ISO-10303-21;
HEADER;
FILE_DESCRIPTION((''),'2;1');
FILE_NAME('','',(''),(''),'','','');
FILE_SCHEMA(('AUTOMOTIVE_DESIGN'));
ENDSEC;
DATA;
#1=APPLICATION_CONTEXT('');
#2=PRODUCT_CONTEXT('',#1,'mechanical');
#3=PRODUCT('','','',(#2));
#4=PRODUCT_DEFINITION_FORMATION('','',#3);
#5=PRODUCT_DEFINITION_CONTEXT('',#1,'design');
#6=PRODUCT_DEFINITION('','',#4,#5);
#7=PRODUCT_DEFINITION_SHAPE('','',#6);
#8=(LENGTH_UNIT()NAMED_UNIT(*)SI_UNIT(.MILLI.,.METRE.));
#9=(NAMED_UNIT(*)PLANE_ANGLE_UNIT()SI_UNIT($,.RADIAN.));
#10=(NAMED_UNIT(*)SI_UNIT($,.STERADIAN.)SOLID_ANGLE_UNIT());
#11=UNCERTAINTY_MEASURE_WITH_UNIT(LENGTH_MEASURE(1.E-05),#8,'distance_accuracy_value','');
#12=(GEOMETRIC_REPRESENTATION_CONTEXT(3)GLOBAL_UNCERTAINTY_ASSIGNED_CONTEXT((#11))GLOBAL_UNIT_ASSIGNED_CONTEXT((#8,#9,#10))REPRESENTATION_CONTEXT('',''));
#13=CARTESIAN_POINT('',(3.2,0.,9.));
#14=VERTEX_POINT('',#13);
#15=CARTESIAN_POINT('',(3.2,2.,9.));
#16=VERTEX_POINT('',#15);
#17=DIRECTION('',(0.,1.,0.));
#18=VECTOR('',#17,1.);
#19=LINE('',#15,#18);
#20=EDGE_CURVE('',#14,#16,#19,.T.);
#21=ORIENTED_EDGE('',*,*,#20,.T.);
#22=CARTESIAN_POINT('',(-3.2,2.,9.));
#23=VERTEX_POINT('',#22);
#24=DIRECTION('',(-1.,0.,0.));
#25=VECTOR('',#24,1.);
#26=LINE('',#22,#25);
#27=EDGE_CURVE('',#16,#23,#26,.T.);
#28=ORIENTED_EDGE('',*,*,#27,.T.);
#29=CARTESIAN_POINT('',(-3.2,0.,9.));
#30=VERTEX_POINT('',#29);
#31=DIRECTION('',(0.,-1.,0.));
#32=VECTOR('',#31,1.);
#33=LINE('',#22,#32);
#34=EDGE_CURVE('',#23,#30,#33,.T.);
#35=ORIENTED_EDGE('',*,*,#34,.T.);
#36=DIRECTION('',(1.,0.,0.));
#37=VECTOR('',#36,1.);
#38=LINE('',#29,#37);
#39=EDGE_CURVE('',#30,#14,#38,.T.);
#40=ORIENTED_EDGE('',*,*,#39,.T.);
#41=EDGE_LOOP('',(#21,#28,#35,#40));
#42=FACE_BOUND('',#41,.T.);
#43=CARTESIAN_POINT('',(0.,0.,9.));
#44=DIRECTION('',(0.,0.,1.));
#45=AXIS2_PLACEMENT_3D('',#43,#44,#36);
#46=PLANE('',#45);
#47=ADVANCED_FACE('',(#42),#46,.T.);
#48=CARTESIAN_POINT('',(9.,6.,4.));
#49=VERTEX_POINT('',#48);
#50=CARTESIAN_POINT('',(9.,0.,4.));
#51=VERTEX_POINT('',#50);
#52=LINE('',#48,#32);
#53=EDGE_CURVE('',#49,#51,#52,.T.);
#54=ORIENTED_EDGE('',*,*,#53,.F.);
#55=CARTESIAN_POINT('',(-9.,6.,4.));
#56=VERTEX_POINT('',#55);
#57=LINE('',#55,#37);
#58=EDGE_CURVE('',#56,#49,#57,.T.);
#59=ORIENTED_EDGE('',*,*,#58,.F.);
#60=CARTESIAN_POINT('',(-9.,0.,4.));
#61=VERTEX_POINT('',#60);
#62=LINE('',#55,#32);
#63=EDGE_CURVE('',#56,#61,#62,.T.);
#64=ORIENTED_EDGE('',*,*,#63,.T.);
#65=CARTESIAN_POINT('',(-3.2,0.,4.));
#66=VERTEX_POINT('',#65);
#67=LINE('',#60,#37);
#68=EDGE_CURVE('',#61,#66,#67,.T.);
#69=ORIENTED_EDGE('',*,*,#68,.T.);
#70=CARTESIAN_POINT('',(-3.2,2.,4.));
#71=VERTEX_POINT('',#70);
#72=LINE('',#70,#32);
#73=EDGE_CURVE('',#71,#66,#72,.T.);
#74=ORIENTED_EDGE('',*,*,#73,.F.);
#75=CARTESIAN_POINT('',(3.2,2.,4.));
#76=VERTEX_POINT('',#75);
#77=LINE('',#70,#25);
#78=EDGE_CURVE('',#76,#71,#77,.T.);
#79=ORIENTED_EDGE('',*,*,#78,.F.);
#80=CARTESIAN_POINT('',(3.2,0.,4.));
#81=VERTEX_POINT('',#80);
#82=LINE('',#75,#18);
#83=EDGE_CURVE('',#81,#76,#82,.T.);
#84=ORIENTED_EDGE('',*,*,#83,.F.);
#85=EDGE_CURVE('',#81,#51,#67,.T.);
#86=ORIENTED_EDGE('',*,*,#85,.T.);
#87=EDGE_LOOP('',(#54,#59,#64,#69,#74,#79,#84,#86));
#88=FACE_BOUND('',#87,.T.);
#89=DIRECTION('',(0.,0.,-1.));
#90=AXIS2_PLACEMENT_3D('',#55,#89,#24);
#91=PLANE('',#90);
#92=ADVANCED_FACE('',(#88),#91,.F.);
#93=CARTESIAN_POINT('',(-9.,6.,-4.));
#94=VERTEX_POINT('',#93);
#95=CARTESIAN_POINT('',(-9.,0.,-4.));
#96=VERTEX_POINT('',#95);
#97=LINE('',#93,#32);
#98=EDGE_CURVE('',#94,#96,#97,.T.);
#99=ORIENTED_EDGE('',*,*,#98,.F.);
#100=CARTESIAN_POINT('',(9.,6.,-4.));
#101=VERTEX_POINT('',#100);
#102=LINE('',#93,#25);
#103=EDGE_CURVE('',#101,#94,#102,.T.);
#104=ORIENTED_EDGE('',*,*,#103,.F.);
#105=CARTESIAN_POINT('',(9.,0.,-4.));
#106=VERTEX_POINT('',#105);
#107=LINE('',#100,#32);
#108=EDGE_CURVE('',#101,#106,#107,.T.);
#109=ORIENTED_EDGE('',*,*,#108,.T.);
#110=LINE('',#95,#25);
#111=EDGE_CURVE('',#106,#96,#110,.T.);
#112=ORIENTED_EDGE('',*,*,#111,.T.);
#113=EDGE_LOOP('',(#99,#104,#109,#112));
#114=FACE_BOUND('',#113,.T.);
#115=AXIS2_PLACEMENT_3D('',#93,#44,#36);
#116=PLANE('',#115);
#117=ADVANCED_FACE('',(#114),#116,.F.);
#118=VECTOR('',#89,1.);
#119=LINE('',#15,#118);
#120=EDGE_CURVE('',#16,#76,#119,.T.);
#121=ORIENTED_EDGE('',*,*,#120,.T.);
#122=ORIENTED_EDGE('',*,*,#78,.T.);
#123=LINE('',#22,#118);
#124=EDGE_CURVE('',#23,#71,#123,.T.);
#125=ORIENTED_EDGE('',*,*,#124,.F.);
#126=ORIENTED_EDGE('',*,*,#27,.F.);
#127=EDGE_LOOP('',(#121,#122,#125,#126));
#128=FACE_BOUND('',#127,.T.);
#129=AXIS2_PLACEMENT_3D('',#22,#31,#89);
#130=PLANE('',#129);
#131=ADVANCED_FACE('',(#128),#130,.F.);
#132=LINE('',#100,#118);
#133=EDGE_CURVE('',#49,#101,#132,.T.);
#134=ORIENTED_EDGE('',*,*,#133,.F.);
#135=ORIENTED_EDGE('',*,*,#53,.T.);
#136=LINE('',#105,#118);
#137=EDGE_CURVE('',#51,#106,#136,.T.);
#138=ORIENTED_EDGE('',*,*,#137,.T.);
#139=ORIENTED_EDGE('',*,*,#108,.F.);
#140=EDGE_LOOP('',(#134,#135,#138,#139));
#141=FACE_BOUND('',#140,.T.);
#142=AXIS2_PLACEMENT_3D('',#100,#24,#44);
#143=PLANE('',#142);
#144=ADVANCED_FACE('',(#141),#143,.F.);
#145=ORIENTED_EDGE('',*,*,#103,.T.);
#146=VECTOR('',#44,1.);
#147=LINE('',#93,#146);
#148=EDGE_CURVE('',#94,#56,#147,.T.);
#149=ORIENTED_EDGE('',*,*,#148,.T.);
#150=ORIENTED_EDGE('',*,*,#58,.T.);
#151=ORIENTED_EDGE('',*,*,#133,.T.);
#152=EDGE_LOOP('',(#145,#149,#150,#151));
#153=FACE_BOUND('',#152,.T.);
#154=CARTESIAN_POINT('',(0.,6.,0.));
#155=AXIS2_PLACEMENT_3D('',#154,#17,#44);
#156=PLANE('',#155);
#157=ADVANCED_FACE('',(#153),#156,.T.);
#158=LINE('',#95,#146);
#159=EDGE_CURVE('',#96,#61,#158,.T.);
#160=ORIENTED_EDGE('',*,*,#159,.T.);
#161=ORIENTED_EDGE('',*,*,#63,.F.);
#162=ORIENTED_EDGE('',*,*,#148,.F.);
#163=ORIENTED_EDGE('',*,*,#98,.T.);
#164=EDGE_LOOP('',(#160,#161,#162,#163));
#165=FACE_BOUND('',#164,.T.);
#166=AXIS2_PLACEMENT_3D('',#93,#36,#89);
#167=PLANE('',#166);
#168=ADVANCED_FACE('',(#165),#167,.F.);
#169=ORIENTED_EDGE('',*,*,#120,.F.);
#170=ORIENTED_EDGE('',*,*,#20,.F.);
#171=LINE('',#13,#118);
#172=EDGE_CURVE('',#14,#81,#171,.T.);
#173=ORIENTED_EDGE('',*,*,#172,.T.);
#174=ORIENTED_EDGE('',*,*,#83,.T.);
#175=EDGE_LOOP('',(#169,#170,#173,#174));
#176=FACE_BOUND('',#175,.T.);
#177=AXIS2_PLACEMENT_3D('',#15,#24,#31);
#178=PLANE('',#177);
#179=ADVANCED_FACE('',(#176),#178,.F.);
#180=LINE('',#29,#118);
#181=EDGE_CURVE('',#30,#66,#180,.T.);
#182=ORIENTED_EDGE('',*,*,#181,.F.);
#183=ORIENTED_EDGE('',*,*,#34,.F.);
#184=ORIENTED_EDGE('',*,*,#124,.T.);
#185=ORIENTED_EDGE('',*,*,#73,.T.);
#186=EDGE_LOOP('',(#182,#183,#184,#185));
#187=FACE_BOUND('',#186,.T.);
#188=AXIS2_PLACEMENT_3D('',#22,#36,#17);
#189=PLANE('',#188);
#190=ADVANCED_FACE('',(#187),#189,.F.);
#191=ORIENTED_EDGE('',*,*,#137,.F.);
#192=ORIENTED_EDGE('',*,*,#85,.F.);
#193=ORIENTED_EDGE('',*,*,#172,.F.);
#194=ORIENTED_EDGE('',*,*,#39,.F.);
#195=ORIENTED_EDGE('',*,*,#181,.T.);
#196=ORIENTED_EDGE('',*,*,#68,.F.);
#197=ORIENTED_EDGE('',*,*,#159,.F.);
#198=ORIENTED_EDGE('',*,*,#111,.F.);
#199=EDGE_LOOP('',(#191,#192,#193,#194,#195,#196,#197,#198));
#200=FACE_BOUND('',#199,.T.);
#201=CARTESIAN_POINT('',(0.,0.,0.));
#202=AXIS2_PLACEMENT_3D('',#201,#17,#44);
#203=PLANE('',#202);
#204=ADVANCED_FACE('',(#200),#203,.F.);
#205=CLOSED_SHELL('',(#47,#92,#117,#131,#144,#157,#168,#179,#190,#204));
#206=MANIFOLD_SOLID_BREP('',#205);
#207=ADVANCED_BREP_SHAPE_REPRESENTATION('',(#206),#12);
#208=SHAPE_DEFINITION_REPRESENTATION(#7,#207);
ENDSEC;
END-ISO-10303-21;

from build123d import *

# Parameters (mm, degrees)
ESQUISSE1_W        = 18
ESQUISSE1_H        = 8
BOSS_EXTRU_1_DEPTH = 6
ESQUISSE2_W        = 6.4
ESQUISSE2_H        = 2
BOSS_EXTRU_2_DEPTH = 5


with BuildPart() as part:
    # Esquisse1 → Boss.-Extru.1 (new body)
    with BuildSketch(Plane(origin=(0, 0, 0), x_dir=(1, 0, 0), z_dir=(0, 1, 0))):
        Rectangle(ESQUISSE1_W, ESQUISSE1_H)
    extrude(amount=BOSS_EXTRU_1_DEPTH)

    # Esquisse2 → Boss.-Extru.2 (add)
    with BuildSketch(Plane.XY.offset(4)):
        with Locations((0, 1)):
            Rectangle(ESQUISSE2_W, ESQUISSE2_H)
    extrude(amount=BOSS_EXTRU_2_DEPTH)


solid = part.part
